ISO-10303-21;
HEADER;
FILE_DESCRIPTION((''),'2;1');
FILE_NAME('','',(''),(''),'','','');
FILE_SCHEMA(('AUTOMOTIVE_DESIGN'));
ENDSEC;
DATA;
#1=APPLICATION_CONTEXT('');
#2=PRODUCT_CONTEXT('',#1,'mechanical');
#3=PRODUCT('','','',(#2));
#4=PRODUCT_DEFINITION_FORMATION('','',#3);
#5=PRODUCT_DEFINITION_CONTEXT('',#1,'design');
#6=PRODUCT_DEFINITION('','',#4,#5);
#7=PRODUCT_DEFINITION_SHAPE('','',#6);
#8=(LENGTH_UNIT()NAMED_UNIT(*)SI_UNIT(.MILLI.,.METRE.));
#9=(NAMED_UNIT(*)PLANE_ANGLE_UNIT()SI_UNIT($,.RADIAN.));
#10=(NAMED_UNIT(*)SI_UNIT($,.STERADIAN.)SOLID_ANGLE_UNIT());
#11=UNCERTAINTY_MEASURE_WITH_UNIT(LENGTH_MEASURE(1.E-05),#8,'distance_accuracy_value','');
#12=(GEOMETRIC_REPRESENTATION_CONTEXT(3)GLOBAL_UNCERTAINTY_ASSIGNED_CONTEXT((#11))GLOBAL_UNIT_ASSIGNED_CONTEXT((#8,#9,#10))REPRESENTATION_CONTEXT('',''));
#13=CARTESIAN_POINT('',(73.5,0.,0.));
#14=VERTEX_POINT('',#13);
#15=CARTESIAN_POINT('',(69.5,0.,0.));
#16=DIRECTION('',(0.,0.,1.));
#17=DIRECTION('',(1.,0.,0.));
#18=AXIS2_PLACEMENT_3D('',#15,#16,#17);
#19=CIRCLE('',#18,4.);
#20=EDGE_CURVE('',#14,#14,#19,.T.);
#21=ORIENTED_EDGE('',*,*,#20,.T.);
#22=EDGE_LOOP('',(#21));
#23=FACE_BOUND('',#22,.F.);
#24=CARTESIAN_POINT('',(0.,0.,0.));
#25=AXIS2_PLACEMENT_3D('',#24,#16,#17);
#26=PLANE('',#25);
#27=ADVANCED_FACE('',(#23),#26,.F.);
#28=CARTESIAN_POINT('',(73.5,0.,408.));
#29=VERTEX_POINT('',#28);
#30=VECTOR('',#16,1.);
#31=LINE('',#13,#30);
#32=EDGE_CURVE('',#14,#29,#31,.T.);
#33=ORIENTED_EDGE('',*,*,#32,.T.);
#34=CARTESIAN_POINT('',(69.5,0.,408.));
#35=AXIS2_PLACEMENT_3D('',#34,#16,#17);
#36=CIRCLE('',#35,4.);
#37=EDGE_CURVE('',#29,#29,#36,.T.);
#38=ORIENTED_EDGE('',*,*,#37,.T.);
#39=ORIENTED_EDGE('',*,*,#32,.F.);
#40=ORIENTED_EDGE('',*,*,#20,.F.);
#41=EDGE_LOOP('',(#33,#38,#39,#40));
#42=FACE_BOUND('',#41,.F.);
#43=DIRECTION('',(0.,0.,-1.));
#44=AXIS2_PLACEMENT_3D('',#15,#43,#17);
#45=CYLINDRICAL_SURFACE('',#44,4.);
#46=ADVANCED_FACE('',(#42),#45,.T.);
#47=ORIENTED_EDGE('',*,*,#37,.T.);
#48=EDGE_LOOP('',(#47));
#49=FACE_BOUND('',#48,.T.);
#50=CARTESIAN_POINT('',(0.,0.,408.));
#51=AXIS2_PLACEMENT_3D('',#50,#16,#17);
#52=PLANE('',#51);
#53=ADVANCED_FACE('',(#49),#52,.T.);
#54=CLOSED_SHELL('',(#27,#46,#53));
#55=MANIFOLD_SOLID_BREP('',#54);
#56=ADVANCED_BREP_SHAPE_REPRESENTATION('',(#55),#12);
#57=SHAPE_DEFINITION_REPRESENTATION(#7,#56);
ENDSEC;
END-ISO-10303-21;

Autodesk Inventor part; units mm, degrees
ref_plane "YZ Plane" through (0, 0, 0) normal (1, 0, 0) x (0, 1, 0)
ref_plane "XZ Plane" through (0, 0, 0) normal (0, 1, 0) x (-1, 0, 0)
sketch "Sketch1" plane through (0, 0, 0) normal (0, 0, 1) x (1, 0, 0)
  circle A0 centre (69.5, 0) radius 4 projected
  point P0 (0, 0)
ref_plane "Work Plane1" through (36.5, 100, 408) normal (0, 0, 1) x (1, 0, 0)
extrude "Extrusion1" add sketch "Sketch1" along normal up to surface (408 mm away)
properties part number "Guide Rod" material "Stainless Steel"
